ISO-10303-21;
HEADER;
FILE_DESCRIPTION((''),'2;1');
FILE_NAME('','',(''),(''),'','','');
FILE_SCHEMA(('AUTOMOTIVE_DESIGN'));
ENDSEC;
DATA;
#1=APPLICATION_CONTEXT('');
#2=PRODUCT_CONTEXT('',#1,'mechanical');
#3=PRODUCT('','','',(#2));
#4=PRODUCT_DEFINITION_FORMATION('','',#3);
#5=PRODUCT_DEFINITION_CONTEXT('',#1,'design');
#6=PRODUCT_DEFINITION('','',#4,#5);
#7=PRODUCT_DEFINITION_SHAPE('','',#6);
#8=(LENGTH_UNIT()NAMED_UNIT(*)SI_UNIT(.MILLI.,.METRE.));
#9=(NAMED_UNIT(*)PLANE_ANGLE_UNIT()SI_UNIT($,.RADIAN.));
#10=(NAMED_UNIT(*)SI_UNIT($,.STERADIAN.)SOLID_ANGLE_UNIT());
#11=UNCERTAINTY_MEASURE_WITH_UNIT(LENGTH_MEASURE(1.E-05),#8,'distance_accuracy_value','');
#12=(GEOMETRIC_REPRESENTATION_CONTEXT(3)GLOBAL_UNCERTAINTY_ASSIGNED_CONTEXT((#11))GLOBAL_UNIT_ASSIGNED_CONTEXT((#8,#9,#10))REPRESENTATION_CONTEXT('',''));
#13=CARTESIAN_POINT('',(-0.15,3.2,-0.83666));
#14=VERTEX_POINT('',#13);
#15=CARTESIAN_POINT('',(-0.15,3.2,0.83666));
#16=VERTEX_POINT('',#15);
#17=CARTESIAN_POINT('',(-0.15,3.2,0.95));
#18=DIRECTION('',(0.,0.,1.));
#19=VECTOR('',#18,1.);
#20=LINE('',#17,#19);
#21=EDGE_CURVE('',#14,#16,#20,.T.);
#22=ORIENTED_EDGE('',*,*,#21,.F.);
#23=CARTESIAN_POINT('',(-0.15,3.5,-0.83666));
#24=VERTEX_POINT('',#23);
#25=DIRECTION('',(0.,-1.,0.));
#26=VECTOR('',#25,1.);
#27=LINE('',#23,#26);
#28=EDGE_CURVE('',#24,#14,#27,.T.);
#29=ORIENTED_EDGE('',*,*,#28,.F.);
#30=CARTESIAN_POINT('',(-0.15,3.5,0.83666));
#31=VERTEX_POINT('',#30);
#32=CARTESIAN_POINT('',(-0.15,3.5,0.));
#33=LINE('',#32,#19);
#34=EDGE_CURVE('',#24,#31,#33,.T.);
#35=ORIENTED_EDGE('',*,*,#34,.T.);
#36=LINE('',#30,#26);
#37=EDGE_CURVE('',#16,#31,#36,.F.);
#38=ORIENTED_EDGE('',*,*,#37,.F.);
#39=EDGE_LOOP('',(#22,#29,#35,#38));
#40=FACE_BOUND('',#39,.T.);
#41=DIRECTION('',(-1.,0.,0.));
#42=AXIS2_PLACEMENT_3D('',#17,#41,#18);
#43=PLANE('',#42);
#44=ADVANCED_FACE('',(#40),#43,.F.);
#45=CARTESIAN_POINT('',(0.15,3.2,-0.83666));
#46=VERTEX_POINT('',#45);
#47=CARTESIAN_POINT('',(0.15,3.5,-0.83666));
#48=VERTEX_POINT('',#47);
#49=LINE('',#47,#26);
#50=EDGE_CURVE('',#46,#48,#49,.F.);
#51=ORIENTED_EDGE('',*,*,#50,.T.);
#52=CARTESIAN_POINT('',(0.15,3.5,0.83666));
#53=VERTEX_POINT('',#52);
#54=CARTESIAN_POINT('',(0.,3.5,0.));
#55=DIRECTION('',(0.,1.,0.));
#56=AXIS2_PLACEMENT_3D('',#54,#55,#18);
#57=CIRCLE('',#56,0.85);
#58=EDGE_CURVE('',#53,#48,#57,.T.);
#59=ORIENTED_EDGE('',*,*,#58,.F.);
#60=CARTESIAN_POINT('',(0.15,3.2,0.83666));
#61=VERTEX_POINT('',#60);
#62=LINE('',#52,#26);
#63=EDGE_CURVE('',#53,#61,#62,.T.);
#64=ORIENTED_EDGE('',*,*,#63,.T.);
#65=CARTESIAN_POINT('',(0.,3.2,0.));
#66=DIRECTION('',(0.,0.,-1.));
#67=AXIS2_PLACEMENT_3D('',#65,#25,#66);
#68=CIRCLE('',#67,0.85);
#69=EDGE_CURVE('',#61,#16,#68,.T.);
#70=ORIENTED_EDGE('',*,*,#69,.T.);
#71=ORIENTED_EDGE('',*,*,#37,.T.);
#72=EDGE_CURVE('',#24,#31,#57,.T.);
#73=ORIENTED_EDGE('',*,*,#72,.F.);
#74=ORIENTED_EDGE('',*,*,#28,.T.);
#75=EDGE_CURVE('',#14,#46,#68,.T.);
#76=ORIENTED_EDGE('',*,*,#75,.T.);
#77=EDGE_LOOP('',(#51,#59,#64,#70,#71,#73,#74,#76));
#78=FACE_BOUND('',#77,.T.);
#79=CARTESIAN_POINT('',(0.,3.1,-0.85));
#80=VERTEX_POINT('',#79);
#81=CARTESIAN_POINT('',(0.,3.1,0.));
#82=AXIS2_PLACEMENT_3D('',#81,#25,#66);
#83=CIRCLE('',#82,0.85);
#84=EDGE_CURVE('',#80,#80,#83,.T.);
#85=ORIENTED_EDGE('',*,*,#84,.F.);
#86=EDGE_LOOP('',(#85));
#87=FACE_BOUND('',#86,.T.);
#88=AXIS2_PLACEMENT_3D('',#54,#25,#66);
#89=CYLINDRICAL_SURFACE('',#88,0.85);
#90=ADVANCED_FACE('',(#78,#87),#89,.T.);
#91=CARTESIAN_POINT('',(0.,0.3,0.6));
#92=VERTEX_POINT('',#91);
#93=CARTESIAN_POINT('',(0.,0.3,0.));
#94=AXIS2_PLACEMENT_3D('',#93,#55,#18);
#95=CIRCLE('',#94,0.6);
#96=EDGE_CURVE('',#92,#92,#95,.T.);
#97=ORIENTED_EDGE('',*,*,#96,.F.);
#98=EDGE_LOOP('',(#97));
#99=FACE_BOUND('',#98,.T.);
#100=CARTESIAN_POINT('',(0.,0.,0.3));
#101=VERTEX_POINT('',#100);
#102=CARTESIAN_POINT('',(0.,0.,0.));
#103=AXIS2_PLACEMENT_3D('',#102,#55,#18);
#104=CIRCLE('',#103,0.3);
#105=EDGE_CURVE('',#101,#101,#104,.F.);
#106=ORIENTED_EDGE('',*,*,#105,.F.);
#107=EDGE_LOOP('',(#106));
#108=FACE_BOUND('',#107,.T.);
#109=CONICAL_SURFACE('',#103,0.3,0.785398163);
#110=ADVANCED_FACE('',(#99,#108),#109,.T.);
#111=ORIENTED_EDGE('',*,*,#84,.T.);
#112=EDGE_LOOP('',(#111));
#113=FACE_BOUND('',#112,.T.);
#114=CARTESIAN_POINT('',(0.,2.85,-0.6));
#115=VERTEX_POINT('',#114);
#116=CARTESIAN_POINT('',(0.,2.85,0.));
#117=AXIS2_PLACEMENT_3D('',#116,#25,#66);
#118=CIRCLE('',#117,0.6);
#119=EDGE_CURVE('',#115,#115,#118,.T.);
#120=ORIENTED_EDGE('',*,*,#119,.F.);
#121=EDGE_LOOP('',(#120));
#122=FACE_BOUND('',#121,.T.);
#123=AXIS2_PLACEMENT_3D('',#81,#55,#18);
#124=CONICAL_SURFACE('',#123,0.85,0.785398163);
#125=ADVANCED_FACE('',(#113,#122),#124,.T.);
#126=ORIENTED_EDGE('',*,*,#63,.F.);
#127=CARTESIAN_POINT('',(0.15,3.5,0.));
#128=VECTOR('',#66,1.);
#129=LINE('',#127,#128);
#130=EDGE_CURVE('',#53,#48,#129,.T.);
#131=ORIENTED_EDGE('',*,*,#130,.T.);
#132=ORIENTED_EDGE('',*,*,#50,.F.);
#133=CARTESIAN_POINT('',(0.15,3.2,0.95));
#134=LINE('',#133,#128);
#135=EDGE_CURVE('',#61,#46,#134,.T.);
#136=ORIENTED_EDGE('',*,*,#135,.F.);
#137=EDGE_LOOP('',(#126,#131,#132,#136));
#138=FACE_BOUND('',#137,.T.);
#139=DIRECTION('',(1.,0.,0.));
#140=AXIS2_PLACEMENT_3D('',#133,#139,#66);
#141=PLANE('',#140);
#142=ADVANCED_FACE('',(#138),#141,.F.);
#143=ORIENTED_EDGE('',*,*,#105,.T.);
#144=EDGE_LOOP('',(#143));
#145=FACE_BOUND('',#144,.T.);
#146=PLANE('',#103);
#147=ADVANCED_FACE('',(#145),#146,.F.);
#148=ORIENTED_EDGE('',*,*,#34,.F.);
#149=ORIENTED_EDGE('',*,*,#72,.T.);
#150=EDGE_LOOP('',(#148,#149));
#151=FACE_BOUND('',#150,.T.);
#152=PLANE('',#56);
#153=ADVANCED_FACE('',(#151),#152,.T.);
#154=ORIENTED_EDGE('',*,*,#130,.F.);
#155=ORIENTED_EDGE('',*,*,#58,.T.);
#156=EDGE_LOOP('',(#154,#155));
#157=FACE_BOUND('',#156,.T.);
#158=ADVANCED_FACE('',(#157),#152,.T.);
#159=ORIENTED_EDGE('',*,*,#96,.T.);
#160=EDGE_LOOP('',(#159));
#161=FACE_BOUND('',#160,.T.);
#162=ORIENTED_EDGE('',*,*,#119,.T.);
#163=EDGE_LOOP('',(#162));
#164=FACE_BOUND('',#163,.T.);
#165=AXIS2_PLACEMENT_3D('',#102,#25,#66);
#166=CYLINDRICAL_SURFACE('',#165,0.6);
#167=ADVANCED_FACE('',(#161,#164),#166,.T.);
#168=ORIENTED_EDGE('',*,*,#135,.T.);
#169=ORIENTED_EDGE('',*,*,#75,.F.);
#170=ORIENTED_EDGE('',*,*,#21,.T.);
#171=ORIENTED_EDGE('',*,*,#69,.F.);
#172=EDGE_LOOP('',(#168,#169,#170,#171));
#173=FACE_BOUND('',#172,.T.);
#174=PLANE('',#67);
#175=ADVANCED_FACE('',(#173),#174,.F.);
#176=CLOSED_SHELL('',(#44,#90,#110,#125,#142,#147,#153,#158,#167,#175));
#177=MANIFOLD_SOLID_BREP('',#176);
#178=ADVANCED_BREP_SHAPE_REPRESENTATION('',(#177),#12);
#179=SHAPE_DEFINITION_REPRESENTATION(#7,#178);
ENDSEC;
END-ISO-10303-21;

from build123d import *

# Parameters (mm, degrees)
SKETCH2_R           = 0.85
BOSS_EXTRUDE1_DEPTH = 3.5
SKETCH4_W           = 0.3
SKETCH4_H           = 1.9
CUT_EXTRUDE1_DEPTH  = 0.3
CHAMFER1_SIZE       = 0.3


with BuildPart() as part:
    # Sketch2 → Boss-Extrude1 (new body)
    with BuildSketch(Plane(origin=(0, 0, 0), x_dir=(1, 0, 0), z_dir=(0, 1, 0))):
        Circle(SKETCH2_R)
    extrude(amount=BOSS_EXTRUDE1_DEPTH)

    # Sketch3 → Cut-Revolve1 (revolve, cut)
    with BuildSketch(Plane.XY):
        Polygon((0.85, 3.1), (0.6, 2.85), (0.6, 0), (0.85, 0), align=None)
    revolve(axis=Axis((0, 0, 0), (0, 1, 0)), mode=Mode.SUBTRACT)

    # Sketch4 → Cut-Extrude1 (cut)
    with BuildSketch(Plane(origin=(0, 3.5, 0), x_dir=(1, 0, 0), z_dir=(0, 1, 0))):
        Rectangle(SKETCH4_W, SKETCH4_H)
    extrude(amount=-CUT_EXTRUDE1_DEPTH, mode=Mode.SUBTRACT)

    # Chamfer1
    chamfer1_edges = [part.edges().sort_by_distance(p)[0] for p in [
        (-0.6, 0, 0),
    ]]
    chamfer(chamfer1_edges, length=CHAMFER1_SIZE)


solid = part.part
